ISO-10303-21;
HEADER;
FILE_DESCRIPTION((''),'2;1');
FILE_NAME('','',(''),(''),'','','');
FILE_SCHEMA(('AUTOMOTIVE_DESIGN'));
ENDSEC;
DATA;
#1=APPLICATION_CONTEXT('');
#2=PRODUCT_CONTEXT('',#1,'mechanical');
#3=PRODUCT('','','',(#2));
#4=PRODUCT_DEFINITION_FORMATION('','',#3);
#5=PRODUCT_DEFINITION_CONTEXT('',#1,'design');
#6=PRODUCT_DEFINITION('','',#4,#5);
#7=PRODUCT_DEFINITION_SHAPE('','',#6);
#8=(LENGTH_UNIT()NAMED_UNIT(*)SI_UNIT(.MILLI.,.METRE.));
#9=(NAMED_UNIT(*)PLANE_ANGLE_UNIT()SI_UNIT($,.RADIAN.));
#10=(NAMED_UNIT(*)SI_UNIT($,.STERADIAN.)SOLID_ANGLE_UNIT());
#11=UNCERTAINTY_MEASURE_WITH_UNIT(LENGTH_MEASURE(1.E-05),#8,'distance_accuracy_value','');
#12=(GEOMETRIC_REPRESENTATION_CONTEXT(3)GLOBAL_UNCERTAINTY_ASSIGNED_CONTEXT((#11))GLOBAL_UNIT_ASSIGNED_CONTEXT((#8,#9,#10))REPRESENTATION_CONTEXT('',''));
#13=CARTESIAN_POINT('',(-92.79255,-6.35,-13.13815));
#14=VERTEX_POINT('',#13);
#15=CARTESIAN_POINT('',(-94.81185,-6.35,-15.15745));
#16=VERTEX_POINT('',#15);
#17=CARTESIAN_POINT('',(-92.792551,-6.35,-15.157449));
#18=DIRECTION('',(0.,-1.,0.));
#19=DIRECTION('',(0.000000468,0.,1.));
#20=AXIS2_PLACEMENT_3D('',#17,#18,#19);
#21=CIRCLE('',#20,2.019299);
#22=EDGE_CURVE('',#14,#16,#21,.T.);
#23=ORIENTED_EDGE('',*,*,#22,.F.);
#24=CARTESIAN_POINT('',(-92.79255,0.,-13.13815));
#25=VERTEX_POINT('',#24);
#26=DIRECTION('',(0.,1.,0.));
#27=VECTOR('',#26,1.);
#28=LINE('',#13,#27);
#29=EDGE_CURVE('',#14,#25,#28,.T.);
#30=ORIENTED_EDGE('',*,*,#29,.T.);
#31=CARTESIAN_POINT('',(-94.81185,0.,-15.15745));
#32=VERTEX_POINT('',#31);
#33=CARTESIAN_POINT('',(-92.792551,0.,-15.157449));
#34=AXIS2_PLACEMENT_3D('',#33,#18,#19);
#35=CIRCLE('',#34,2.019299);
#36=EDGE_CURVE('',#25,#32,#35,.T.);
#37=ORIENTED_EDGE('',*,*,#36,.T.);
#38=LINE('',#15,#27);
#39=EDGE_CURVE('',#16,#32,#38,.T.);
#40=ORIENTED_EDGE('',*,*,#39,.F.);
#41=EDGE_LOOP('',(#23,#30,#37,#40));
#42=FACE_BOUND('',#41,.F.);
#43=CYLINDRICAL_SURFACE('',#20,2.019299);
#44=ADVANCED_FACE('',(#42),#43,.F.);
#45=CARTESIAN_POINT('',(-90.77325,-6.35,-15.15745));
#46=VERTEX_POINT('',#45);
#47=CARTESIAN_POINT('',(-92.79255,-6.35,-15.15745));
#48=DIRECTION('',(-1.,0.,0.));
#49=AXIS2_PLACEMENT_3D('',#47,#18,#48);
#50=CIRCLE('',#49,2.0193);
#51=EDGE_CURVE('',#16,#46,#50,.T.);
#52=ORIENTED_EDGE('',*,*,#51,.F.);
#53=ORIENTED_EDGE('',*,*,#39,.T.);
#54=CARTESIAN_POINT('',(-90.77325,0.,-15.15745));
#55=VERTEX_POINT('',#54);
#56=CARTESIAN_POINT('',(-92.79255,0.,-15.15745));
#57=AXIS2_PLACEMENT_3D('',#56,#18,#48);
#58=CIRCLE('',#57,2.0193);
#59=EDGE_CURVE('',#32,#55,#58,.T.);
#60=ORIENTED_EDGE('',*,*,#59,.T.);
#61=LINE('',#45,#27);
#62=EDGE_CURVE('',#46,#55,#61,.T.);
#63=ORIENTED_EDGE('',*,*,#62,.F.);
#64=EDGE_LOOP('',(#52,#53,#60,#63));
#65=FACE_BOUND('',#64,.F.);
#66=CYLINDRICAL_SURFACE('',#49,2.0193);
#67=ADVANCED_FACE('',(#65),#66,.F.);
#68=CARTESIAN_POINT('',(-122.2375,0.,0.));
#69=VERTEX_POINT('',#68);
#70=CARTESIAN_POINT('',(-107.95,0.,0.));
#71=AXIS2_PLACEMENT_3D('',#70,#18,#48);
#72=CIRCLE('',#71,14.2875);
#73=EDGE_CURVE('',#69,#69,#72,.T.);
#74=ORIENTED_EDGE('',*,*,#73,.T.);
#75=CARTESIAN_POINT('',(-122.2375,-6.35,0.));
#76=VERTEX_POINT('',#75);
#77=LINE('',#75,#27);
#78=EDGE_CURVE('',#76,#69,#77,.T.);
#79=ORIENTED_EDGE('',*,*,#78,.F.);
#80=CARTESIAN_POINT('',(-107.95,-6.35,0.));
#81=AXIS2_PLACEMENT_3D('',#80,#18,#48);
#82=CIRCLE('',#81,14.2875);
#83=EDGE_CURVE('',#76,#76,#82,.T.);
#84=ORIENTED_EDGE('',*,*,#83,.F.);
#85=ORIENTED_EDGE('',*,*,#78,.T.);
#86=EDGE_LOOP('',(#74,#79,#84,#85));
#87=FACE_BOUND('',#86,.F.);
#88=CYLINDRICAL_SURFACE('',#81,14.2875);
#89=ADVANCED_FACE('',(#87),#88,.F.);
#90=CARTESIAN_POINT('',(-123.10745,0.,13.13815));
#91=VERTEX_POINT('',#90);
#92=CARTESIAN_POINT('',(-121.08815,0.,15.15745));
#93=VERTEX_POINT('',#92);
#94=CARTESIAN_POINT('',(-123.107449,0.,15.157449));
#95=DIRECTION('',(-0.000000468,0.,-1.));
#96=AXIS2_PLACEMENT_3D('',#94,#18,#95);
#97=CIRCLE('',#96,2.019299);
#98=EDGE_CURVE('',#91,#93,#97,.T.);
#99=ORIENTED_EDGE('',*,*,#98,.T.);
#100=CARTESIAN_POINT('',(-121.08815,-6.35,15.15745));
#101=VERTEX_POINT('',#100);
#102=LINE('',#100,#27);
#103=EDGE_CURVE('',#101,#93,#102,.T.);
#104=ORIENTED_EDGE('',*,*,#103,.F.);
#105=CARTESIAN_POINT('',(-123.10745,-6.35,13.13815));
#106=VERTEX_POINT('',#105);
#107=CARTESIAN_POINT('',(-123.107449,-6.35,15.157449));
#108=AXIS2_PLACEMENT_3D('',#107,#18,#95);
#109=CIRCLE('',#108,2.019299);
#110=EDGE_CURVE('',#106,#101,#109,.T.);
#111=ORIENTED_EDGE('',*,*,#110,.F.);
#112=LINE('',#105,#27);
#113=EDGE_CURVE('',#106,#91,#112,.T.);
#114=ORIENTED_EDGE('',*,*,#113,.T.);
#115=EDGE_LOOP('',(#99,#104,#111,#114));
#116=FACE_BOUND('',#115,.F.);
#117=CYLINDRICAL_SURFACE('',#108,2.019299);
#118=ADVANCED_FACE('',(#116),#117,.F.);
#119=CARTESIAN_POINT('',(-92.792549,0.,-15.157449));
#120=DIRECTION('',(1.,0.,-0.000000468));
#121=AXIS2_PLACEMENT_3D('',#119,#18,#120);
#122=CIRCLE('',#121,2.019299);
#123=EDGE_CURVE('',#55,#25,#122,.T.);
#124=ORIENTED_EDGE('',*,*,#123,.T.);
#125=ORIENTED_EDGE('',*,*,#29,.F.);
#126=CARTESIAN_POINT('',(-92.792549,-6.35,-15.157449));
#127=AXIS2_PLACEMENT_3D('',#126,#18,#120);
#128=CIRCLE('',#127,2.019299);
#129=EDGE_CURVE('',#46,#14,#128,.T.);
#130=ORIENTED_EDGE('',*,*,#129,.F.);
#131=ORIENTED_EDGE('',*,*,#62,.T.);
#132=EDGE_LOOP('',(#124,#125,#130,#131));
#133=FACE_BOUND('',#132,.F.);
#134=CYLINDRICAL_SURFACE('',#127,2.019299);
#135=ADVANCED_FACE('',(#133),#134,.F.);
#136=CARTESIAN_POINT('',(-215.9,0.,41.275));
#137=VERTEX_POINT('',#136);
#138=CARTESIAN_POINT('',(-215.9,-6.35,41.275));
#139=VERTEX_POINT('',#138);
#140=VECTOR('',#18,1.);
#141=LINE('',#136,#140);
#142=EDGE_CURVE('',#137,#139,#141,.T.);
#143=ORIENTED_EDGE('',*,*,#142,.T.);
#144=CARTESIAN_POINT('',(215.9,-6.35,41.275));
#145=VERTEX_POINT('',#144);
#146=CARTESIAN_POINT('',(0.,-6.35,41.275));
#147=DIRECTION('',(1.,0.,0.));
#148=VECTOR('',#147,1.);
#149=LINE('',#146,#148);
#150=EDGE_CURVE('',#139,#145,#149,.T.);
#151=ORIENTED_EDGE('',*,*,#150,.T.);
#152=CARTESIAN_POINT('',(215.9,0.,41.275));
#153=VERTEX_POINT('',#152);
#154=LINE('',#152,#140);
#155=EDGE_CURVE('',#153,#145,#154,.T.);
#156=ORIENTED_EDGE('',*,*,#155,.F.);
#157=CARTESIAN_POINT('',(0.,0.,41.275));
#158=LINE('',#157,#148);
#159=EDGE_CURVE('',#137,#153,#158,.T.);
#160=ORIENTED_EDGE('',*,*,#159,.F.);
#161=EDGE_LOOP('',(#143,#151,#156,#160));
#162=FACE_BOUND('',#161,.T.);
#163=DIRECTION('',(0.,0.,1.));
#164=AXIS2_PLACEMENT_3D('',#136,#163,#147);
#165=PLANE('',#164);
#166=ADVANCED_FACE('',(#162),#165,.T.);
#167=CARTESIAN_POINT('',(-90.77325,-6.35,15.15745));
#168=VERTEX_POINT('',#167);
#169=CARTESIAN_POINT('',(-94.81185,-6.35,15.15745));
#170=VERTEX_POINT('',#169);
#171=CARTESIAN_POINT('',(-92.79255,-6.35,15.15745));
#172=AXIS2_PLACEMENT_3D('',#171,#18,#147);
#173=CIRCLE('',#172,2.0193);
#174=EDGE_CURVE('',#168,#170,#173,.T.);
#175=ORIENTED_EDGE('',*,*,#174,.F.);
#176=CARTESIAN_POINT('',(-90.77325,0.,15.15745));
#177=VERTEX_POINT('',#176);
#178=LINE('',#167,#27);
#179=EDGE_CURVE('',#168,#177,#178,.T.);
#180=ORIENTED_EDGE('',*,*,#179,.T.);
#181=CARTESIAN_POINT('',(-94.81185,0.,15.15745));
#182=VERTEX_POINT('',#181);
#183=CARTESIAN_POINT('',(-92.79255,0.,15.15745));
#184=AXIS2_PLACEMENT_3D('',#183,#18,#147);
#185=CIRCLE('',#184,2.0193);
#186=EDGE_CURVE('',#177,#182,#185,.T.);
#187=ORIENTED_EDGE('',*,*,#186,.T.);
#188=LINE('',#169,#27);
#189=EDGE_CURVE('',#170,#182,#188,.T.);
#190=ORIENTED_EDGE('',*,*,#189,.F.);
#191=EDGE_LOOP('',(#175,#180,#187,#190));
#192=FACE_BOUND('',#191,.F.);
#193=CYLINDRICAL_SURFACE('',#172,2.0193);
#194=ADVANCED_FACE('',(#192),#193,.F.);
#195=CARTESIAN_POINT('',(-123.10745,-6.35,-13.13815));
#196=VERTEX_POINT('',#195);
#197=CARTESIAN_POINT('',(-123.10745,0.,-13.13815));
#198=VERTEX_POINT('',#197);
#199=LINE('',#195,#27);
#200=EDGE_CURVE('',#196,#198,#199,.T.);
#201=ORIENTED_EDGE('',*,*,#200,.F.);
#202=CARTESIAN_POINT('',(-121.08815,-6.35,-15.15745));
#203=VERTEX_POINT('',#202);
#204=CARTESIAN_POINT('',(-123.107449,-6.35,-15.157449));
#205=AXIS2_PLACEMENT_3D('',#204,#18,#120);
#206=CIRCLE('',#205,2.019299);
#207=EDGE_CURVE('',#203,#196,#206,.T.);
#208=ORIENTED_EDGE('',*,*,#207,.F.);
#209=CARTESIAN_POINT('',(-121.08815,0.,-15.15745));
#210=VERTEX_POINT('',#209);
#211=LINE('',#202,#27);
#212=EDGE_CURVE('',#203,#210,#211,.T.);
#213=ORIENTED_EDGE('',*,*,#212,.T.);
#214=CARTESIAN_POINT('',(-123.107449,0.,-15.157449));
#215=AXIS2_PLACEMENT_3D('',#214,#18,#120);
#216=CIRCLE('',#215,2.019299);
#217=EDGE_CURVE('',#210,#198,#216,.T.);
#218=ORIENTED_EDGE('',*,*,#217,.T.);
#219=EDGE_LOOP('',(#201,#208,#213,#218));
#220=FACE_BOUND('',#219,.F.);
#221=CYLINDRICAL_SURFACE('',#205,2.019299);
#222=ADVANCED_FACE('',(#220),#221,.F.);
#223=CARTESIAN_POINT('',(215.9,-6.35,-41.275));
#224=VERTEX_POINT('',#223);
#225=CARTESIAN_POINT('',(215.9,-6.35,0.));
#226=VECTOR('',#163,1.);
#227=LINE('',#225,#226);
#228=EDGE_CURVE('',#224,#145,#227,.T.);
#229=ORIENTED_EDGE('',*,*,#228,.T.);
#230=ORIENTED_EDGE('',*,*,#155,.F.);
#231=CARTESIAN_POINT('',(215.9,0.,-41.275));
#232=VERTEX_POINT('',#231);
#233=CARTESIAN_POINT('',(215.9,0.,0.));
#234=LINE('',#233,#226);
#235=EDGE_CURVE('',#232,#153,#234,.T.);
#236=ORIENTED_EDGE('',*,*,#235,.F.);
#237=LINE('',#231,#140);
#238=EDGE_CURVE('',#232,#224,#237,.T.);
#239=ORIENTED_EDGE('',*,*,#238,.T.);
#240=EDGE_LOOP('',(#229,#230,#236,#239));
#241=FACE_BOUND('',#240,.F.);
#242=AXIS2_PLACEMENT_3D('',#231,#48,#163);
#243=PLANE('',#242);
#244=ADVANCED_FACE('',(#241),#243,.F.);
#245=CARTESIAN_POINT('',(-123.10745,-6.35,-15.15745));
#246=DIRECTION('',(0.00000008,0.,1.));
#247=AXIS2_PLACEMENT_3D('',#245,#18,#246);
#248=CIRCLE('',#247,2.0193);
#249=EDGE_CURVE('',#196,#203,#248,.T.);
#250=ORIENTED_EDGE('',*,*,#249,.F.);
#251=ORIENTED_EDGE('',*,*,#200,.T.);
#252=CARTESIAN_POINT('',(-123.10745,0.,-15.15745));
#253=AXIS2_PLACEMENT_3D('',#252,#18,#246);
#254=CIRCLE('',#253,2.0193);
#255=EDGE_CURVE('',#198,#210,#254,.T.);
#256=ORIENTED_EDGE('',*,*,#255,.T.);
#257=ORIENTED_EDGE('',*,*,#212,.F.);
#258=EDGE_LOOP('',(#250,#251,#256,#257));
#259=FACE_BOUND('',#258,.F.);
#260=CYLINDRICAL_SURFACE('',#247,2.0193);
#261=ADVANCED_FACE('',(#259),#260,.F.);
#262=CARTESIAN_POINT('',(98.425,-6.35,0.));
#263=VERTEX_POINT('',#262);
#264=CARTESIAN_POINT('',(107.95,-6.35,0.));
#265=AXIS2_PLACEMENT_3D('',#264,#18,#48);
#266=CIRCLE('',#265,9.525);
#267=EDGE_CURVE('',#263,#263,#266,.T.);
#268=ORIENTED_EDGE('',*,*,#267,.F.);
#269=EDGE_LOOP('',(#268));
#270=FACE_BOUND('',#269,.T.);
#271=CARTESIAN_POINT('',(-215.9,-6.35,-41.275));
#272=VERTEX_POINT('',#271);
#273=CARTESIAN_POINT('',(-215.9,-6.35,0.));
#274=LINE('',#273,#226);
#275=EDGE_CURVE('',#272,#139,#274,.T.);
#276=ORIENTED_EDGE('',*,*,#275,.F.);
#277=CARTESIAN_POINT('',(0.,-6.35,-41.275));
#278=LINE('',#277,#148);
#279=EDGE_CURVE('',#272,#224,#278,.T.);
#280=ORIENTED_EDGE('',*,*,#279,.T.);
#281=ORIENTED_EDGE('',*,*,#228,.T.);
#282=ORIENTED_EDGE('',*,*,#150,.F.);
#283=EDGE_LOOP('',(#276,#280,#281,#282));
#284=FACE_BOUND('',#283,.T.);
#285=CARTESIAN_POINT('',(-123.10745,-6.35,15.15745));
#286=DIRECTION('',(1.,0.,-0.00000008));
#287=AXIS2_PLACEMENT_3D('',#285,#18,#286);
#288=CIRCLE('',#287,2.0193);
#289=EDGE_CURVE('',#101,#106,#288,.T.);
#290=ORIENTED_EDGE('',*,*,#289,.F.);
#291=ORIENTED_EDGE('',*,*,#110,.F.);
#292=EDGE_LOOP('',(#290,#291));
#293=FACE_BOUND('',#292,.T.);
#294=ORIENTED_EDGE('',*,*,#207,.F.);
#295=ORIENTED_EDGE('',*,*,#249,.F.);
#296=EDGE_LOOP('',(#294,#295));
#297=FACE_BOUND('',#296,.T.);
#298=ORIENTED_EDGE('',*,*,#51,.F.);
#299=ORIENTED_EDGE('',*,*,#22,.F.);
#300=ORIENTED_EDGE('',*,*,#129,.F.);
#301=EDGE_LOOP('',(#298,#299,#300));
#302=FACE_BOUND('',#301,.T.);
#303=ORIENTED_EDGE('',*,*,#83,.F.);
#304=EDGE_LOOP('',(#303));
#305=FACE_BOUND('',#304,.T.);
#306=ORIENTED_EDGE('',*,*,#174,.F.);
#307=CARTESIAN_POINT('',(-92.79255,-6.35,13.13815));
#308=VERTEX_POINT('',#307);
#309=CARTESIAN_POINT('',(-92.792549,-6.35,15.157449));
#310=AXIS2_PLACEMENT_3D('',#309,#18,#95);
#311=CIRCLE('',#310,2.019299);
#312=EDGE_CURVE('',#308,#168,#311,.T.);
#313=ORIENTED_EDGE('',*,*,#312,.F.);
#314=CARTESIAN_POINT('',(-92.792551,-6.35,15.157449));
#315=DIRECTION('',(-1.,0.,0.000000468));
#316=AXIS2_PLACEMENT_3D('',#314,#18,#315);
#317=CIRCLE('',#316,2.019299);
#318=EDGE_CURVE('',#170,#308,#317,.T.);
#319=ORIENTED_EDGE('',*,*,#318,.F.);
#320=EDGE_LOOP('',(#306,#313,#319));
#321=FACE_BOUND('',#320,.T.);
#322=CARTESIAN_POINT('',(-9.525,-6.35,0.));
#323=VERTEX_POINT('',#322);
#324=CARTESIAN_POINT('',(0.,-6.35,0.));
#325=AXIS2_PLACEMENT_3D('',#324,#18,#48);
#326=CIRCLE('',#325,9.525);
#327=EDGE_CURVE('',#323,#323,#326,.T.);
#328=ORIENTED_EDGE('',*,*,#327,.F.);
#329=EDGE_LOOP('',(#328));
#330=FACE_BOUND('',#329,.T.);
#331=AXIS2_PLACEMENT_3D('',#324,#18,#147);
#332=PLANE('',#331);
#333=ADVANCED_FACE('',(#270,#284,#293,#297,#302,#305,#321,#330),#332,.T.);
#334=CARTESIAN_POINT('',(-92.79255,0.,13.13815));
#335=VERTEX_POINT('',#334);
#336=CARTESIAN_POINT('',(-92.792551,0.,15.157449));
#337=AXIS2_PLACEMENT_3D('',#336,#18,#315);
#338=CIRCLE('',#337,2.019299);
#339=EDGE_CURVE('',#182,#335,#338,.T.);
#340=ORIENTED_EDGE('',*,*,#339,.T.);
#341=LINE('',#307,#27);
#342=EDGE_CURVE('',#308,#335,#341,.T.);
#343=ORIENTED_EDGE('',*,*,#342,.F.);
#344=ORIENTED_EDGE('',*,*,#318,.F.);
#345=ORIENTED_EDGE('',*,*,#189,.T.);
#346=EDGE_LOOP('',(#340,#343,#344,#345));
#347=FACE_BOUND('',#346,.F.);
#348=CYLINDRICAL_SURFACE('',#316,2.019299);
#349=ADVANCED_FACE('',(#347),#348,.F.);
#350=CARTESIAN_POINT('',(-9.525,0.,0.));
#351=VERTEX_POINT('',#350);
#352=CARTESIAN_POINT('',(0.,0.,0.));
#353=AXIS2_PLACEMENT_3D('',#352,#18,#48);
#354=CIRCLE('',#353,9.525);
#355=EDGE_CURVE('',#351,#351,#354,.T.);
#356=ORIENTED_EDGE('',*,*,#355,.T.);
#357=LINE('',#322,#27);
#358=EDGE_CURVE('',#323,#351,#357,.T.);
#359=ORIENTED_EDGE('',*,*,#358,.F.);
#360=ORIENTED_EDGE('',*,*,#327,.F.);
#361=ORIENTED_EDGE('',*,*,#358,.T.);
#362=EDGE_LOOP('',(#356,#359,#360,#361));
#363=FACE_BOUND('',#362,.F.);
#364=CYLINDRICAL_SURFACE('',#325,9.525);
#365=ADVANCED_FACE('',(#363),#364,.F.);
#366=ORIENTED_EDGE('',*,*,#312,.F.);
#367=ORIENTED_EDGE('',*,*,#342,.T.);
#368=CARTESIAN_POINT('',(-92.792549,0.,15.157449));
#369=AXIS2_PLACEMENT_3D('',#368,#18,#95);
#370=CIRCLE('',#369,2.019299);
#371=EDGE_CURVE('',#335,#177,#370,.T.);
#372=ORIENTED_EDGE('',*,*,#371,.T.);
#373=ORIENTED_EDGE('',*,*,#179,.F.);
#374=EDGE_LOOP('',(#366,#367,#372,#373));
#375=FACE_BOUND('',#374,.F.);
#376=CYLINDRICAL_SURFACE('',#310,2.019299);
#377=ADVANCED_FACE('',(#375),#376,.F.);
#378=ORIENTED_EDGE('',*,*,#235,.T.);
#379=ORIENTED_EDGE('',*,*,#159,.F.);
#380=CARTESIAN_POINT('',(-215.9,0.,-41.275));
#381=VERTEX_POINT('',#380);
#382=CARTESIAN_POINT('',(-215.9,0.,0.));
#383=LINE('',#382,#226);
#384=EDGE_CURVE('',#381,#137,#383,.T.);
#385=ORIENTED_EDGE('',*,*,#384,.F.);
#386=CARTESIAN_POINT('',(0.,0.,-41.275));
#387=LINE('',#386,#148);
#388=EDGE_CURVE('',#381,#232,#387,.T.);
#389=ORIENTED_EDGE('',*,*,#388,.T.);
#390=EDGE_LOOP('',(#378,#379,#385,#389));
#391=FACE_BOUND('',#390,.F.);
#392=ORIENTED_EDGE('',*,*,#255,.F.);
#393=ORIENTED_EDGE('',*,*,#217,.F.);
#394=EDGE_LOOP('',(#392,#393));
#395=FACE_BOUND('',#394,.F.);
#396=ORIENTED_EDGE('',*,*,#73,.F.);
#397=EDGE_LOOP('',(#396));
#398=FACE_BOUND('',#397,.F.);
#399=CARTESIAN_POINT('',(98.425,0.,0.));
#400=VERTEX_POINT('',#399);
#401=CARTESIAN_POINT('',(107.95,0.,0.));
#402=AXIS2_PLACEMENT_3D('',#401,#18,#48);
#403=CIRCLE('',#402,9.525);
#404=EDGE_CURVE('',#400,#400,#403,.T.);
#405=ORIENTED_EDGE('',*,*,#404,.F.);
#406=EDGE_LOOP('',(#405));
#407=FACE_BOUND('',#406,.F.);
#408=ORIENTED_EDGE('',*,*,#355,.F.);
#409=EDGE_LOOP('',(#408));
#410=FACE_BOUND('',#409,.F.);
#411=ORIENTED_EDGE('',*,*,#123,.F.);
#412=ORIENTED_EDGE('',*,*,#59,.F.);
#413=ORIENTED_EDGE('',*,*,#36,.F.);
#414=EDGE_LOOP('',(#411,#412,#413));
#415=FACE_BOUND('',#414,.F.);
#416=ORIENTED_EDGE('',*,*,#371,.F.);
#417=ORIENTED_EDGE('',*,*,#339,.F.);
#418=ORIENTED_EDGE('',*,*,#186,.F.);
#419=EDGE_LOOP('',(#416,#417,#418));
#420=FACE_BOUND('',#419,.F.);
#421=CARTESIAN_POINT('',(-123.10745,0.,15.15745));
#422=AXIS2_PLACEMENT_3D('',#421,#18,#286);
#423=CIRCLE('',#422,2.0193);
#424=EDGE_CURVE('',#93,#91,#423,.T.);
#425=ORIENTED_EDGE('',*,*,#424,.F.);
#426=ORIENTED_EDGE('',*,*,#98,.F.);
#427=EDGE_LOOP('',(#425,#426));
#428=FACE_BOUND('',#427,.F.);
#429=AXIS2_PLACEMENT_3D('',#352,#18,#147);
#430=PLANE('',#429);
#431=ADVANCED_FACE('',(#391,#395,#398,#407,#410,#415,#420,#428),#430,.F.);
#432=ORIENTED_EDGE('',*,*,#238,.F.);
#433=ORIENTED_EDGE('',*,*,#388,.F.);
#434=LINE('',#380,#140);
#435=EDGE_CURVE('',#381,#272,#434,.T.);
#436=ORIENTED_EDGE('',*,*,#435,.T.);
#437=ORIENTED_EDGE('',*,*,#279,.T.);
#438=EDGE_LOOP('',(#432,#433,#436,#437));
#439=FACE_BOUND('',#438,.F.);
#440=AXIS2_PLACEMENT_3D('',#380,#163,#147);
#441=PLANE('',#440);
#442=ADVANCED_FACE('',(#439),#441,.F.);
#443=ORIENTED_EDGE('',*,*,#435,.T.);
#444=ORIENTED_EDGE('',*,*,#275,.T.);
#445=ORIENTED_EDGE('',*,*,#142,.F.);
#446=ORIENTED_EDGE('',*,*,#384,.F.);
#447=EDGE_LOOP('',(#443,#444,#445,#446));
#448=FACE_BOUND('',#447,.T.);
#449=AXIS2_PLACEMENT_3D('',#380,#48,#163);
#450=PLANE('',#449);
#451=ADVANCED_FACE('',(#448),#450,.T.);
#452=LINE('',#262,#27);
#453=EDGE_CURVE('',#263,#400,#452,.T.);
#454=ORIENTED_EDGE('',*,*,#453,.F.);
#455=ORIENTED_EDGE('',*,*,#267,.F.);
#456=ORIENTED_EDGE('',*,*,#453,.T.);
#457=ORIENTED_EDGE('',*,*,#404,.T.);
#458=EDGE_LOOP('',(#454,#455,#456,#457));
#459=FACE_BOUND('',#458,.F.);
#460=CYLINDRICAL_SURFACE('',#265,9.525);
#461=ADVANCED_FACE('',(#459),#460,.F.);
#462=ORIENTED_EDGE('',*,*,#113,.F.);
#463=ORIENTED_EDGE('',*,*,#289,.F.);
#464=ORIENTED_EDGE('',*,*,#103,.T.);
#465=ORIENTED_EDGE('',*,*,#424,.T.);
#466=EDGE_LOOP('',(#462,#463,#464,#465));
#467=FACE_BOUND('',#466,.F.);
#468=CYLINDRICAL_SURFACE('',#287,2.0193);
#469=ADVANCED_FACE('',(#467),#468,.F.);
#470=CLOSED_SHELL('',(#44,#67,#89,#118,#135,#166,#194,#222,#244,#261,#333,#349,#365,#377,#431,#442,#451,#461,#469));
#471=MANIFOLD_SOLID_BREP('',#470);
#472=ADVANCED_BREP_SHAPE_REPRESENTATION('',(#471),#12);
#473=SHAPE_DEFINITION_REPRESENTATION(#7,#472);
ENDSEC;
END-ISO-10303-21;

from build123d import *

# Parameters (mm, degrees)
F0_W     = 431.8
F0_H     = 82.55
F1_DEPTH = 6.35
F3_DEPTH = 6.35
F5_DEPTH = 6.35


with BuildPart() as f1:
    # F0 (on Front) → F1 (new body)
    with BuildSketch(Plane.XZ):
        Rectangle(F0_W, F0_H)
    extrude(amount=F1_DEPTH)

    # F2 (on face) → F3 (cut, through all)
    with BuildSketch(Plane.XZ.offset(6.35)):
        with BuildLine():
            ThreePointArc((-93.6625, 0), (-107.95, 14.2875), (-122.2375, 0))
            Line((-122.2375, 0), (-93.6625, 0))
        make_face()
        with BuildLine():
            ThreePointArc((117.475, 0), (107.95, 9.525), (98.425, 0))
            Line((98.425, 0), (117.475, 0))
        make_face()
        with BuildLine():
            Line((117.475, 0), (98.425, 0))
            ThreePointArc((98.425, 0), (107.95, -9.525), (117.475, 0))
        make_face()
        with BuildLine():
            ThreePointArc((9.525, 0), (0, 9.525), (-9.525, 0))
            Line((-9.525, 0), (9.525, 0))
        make_face()
        with BuildLine():
            Line((9.525, 0), (-9.525, 0))
            ThreePointArc((-9.525, 0), (0, -9.525), (9.525, 0))
        make_face()
        with BuildLine():
            Line((-93.6625, 0), (-122.2375, 0))
            ThreePointArc((-122.2375, 0), (-107.95, -14.2875), (-93.6625, 0))
        make_face()
    extrude(amount=-F3_DEPTH, mode=Mode.SUBTRACT)

    # F4 (on face) → F5 (cut, through all)
    with BuildSketch(Plane.XZ.offset(6.35)):
        with BuildLine():
            Line((-123.10745, -15.15745), (-123.10745, -13.13815))
            ThreePointArc((-123.10745, -13.13815), (-124.535311, -16.585311), (-121.08815, -15.15745))
            Line((-121.08815, -15.15745), (-123.10745, -15.15745))
        make_face()
        with BuildLine():
            ThreePointArc((-121.08815, -15.15745), (-121.679589, -13.729589), (-123.10745, -13.13815))
            Line((-123.10745, -13.13815), (-123.10745, -15.15745))
            Line((-123.10745, -15.15745), (-121.08815, -15.15745))
        make_face()
        with BuildLine():
            ThreePointArc((-90.77325, -15.15745), (-91.364689, -13.729589), (-92.79255, -13.13815))
            Line((-92.79255, -13.13815), (-92.79255, -15.15745))
            Line((-92.79255, -15.15745), (-94.81185, -15.15745))
            ThreePointArc((-94.81185, -15.15745), (-92.79255, -17.17675), (-90.77325, -15.15745))
        make_face()
        with BuildLine():
            Line((-92.79255, -15.15745), (-92.79255, -13.13815))
            ThreePointArc((-92.79255, -13.13815), (-94.220411, -13.729589), (-94.81185, -15.15745))
            Line((-94.81185, -15.15745), (-92.79255, -15.15745))
        make_face()
        with BuildLine():
            Line((-92.79255, 15.15745), (-94.81185, 15.15745))
            ThreePointArc((-94.81185, 15.15745), (-94.220411, 13.729589), (-92.79255, 13.13815))
            Line((-92.79255, 13.13815), (-92.79255, 15.15745))
        make_face()
        with BuildLine():
            ThreePointArc((-90.77325, 15.15745), (-92.79255, 17.17675), (-94.81185, 15.15745))
            Line((-94.81185, 15.15745), (-92.79255, 15.15745))
            Line((-92.79255, 15.15745), (-92.79255, 13.13815))
            ThreePointArc((-92.79255, 13.13815), (-91.364689, 13.729589), (-90.77325, 15.15745))
        make_face()
        with BuildLine():
            ThreePointArc((-123.10745, 13.13815), (-121.679589, 13.729589), (-121.08815, 15.15745))
            Line((-121.08815, 15.15745), (-123.10745, 15.15745))
            Line((-123.10745, 15.15745), (-123.10745, 13.13815))
        make_face()
        with BuildLine():
            Line((-123.10745, 15.15745), (-121.08815, 15.15745))
            ThreePointArc((-121.08815, 15.15745), (-124.535311, 16.585311), (-123.10745, 13.13815))
            Line((-123.10745, 13.13815), (-123.10745, 15.15745))
        make_face()
    extrude(amount=-F5_DEPTH, mode=Mode.SUBTRACT)


solid = f1.part
